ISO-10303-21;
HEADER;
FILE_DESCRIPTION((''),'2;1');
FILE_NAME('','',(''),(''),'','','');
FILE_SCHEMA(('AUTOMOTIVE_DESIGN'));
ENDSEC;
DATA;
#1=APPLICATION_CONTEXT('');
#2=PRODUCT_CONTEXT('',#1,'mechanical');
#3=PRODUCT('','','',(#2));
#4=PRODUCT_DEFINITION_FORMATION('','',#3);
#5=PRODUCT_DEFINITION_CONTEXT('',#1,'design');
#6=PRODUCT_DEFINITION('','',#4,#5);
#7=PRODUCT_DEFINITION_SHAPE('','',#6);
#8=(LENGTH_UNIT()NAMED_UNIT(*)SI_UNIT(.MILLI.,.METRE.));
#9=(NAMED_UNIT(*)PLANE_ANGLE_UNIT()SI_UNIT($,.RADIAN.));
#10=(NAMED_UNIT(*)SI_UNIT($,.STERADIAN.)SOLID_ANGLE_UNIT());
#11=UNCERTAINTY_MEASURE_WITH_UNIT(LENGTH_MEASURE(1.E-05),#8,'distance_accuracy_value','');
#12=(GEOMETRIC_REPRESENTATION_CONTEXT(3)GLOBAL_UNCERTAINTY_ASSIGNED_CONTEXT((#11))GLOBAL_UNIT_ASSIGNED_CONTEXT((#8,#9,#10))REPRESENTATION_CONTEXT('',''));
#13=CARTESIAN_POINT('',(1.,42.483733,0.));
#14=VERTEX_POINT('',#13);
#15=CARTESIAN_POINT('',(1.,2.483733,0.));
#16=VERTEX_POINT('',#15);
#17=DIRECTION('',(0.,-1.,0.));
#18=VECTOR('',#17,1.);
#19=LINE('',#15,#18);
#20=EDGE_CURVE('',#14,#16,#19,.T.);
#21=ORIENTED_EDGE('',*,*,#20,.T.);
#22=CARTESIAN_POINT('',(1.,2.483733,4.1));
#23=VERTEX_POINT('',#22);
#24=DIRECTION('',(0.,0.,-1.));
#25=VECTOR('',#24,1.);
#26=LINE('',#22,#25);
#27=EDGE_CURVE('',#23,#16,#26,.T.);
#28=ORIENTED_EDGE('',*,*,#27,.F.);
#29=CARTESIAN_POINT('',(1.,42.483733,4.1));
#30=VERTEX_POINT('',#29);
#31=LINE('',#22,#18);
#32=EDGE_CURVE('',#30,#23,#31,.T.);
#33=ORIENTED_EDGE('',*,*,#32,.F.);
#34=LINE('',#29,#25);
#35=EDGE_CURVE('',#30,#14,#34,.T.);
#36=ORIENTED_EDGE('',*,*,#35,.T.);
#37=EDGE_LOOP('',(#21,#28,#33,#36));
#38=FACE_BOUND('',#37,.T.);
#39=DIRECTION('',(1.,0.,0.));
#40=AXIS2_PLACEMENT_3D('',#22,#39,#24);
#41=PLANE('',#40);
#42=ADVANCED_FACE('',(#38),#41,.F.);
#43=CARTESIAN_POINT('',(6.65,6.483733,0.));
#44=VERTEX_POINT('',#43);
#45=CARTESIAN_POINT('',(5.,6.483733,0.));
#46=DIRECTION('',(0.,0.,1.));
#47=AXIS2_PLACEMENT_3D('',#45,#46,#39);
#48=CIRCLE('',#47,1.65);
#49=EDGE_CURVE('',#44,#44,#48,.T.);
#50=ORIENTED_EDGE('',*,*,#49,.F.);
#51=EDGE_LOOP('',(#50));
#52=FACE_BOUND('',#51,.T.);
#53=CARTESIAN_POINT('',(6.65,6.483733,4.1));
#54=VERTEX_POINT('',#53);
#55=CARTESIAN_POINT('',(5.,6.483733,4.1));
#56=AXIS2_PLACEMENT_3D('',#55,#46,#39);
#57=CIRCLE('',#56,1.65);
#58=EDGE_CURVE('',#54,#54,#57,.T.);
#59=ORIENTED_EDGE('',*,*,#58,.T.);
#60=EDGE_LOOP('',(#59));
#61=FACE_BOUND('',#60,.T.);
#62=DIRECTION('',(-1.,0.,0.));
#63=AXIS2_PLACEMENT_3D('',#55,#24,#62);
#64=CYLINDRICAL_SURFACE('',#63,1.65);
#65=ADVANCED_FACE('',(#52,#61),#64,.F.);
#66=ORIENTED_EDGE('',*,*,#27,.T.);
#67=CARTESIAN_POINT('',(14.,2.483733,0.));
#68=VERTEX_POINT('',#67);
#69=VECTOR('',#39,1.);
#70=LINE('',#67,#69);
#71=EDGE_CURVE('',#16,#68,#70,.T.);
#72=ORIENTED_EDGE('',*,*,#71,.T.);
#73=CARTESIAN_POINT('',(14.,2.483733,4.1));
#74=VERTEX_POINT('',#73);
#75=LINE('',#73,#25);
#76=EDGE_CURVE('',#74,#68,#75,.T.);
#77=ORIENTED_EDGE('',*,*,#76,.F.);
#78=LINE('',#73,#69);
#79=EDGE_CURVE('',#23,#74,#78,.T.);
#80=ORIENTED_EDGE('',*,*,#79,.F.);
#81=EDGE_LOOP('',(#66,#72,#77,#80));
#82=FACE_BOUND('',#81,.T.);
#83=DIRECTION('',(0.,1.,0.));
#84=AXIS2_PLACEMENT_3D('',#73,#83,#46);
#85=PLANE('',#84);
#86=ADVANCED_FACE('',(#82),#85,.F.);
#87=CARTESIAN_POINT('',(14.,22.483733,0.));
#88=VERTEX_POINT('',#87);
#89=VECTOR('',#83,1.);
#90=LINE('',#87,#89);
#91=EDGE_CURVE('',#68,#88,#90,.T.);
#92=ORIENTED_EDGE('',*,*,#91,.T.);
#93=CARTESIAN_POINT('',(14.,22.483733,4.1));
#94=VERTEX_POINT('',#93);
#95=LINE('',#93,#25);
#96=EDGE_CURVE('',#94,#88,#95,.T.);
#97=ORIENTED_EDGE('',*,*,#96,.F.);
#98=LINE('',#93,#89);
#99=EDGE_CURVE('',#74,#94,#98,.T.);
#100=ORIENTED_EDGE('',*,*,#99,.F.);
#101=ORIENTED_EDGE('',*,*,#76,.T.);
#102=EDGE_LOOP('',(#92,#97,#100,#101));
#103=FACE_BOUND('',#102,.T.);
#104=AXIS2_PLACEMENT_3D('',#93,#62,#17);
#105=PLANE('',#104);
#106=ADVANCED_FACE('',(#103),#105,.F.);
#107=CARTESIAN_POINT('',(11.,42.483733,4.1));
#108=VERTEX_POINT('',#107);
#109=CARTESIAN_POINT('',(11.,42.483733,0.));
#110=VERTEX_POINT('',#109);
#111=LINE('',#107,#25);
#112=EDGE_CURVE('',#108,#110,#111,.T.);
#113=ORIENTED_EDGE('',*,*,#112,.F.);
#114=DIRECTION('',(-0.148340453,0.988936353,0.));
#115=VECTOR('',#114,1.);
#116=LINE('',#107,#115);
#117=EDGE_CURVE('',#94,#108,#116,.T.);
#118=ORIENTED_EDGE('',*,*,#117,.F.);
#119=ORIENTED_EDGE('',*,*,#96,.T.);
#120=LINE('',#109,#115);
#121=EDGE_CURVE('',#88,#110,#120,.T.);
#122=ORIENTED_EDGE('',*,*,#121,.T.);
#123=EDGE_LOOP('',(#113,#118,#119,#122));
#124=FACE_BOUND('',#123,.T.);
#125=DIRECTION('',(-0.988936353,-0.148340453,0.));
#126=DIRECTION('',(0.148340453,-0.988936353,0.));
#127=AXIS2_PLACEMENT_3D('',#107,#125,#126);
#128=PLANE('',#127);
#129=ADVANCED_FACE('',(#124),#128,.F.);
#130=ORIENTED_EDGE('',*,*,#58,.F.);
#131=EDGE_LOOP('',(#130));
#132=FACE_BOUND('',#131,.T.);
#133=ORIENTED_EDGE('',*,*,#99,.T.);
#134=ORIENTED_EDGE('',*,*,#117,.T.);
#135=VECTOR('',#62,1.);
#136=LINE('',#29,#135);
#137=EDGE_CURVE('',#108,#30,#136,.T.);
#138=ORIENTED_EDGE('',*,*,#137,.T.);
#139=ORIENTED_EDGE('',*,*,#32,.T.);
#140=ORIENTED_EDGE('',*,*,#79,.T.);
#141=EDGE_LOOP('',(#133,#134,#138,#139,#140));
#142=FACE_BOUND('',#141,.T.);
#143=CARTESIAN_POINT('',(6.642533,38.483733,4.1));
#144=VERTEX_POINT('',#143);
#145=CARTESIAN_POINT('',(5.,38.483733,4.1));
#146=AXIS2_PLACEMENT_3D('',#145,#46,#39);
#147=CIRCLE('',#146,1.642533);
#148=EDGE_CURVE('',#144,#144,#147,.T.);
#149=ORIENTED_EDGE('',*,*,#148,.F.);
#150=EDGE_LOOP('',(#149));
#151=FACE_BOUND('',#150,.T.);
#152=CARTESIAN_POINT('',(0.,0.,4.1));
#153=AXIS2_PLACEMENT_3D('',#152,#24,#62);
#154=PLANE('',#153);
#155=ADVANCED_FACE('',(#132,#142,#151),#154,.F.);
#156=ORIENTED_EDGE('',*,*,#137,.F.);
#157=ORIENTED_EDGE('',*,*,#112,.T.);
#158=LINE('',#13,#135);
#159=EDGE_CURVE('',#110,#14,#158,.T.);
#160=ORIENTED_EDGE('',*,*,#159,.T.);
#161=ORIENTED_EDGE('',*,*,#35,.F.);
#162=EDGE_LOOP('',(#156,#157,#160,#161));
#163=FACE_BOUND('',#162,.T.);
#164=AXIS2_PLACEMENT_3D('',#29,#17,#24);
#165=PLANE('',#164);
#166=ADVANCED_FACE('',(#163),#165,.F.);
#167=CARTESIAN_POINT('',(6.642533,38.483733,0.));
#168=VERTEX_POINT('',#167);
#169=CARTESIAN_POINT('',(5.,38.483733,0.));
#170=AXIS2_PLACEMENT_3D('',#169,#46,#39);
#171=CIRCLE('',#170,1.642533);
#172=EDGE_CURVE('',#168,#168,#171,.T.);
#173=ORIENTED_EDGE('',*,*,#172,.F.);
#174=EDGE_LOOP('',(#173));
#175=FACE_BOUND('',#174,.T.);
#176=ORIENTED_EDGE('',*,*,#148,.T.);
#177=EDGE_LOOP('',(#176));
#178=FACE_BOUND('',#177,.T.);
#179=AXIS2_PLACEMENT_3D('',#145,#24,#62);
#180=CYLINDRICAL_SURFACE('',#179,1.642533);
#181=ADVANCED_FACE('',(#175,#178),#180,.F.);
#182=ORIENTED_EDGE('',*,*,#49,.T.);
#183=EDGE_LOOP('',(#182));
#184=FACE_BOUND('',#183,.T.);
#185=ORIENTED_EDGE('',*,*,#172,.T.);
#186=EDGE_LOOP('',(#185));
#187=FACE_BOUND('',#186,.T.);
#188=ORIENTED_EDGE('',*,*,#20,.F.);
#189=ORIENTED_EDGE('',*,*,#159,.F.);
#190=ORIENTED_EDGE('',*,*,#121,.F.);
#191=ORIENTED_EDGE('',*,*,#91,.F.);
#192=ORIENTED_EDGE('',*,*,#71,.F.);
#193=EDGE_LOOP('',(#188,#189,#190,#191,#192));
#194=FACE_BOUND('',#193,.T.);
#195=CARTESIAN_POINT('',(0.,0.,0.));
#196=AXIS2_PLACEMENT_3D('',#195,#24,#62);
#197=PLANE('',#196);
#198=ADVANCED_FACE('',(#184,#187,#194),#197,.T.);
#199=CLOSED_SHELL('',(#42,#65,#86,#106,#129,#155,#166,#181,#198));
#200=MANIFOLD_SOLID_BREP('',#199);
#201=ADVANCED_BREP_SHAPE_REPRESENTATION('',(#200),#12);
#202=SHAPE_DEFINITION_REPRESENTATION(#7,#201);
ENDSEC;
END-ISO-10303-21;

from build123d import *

# Parameters (mm, degrees)
SKETCH1_R           = 1.65
SKETCH1_R_2         = 1.642532795
BOSS_EXTRUDE1_DEPTH = 4.1


with BuildPart() as part:
    # Sketch1 → Boss-Extrude1 (new body)
    with BuildSketch(Plane.XY):
        Polygon((1, 2.483732861), (1, 42.483732861), (11, 42.483732861), (14, 22.483732861), (14, 2.483732861), align=None)
        with Locations((5, 6.483732861)):
            Circle(SKETCH1_R, mode=Mode.SUBTRACT)
        with Locations((5, 38.483732861)):
            Circle(SKETCH1_R_2, mode=Mode.SUBTRACT)
    extrude(amount=BOSS_EXTRUDE1_DEPTH)


solid = part.part
